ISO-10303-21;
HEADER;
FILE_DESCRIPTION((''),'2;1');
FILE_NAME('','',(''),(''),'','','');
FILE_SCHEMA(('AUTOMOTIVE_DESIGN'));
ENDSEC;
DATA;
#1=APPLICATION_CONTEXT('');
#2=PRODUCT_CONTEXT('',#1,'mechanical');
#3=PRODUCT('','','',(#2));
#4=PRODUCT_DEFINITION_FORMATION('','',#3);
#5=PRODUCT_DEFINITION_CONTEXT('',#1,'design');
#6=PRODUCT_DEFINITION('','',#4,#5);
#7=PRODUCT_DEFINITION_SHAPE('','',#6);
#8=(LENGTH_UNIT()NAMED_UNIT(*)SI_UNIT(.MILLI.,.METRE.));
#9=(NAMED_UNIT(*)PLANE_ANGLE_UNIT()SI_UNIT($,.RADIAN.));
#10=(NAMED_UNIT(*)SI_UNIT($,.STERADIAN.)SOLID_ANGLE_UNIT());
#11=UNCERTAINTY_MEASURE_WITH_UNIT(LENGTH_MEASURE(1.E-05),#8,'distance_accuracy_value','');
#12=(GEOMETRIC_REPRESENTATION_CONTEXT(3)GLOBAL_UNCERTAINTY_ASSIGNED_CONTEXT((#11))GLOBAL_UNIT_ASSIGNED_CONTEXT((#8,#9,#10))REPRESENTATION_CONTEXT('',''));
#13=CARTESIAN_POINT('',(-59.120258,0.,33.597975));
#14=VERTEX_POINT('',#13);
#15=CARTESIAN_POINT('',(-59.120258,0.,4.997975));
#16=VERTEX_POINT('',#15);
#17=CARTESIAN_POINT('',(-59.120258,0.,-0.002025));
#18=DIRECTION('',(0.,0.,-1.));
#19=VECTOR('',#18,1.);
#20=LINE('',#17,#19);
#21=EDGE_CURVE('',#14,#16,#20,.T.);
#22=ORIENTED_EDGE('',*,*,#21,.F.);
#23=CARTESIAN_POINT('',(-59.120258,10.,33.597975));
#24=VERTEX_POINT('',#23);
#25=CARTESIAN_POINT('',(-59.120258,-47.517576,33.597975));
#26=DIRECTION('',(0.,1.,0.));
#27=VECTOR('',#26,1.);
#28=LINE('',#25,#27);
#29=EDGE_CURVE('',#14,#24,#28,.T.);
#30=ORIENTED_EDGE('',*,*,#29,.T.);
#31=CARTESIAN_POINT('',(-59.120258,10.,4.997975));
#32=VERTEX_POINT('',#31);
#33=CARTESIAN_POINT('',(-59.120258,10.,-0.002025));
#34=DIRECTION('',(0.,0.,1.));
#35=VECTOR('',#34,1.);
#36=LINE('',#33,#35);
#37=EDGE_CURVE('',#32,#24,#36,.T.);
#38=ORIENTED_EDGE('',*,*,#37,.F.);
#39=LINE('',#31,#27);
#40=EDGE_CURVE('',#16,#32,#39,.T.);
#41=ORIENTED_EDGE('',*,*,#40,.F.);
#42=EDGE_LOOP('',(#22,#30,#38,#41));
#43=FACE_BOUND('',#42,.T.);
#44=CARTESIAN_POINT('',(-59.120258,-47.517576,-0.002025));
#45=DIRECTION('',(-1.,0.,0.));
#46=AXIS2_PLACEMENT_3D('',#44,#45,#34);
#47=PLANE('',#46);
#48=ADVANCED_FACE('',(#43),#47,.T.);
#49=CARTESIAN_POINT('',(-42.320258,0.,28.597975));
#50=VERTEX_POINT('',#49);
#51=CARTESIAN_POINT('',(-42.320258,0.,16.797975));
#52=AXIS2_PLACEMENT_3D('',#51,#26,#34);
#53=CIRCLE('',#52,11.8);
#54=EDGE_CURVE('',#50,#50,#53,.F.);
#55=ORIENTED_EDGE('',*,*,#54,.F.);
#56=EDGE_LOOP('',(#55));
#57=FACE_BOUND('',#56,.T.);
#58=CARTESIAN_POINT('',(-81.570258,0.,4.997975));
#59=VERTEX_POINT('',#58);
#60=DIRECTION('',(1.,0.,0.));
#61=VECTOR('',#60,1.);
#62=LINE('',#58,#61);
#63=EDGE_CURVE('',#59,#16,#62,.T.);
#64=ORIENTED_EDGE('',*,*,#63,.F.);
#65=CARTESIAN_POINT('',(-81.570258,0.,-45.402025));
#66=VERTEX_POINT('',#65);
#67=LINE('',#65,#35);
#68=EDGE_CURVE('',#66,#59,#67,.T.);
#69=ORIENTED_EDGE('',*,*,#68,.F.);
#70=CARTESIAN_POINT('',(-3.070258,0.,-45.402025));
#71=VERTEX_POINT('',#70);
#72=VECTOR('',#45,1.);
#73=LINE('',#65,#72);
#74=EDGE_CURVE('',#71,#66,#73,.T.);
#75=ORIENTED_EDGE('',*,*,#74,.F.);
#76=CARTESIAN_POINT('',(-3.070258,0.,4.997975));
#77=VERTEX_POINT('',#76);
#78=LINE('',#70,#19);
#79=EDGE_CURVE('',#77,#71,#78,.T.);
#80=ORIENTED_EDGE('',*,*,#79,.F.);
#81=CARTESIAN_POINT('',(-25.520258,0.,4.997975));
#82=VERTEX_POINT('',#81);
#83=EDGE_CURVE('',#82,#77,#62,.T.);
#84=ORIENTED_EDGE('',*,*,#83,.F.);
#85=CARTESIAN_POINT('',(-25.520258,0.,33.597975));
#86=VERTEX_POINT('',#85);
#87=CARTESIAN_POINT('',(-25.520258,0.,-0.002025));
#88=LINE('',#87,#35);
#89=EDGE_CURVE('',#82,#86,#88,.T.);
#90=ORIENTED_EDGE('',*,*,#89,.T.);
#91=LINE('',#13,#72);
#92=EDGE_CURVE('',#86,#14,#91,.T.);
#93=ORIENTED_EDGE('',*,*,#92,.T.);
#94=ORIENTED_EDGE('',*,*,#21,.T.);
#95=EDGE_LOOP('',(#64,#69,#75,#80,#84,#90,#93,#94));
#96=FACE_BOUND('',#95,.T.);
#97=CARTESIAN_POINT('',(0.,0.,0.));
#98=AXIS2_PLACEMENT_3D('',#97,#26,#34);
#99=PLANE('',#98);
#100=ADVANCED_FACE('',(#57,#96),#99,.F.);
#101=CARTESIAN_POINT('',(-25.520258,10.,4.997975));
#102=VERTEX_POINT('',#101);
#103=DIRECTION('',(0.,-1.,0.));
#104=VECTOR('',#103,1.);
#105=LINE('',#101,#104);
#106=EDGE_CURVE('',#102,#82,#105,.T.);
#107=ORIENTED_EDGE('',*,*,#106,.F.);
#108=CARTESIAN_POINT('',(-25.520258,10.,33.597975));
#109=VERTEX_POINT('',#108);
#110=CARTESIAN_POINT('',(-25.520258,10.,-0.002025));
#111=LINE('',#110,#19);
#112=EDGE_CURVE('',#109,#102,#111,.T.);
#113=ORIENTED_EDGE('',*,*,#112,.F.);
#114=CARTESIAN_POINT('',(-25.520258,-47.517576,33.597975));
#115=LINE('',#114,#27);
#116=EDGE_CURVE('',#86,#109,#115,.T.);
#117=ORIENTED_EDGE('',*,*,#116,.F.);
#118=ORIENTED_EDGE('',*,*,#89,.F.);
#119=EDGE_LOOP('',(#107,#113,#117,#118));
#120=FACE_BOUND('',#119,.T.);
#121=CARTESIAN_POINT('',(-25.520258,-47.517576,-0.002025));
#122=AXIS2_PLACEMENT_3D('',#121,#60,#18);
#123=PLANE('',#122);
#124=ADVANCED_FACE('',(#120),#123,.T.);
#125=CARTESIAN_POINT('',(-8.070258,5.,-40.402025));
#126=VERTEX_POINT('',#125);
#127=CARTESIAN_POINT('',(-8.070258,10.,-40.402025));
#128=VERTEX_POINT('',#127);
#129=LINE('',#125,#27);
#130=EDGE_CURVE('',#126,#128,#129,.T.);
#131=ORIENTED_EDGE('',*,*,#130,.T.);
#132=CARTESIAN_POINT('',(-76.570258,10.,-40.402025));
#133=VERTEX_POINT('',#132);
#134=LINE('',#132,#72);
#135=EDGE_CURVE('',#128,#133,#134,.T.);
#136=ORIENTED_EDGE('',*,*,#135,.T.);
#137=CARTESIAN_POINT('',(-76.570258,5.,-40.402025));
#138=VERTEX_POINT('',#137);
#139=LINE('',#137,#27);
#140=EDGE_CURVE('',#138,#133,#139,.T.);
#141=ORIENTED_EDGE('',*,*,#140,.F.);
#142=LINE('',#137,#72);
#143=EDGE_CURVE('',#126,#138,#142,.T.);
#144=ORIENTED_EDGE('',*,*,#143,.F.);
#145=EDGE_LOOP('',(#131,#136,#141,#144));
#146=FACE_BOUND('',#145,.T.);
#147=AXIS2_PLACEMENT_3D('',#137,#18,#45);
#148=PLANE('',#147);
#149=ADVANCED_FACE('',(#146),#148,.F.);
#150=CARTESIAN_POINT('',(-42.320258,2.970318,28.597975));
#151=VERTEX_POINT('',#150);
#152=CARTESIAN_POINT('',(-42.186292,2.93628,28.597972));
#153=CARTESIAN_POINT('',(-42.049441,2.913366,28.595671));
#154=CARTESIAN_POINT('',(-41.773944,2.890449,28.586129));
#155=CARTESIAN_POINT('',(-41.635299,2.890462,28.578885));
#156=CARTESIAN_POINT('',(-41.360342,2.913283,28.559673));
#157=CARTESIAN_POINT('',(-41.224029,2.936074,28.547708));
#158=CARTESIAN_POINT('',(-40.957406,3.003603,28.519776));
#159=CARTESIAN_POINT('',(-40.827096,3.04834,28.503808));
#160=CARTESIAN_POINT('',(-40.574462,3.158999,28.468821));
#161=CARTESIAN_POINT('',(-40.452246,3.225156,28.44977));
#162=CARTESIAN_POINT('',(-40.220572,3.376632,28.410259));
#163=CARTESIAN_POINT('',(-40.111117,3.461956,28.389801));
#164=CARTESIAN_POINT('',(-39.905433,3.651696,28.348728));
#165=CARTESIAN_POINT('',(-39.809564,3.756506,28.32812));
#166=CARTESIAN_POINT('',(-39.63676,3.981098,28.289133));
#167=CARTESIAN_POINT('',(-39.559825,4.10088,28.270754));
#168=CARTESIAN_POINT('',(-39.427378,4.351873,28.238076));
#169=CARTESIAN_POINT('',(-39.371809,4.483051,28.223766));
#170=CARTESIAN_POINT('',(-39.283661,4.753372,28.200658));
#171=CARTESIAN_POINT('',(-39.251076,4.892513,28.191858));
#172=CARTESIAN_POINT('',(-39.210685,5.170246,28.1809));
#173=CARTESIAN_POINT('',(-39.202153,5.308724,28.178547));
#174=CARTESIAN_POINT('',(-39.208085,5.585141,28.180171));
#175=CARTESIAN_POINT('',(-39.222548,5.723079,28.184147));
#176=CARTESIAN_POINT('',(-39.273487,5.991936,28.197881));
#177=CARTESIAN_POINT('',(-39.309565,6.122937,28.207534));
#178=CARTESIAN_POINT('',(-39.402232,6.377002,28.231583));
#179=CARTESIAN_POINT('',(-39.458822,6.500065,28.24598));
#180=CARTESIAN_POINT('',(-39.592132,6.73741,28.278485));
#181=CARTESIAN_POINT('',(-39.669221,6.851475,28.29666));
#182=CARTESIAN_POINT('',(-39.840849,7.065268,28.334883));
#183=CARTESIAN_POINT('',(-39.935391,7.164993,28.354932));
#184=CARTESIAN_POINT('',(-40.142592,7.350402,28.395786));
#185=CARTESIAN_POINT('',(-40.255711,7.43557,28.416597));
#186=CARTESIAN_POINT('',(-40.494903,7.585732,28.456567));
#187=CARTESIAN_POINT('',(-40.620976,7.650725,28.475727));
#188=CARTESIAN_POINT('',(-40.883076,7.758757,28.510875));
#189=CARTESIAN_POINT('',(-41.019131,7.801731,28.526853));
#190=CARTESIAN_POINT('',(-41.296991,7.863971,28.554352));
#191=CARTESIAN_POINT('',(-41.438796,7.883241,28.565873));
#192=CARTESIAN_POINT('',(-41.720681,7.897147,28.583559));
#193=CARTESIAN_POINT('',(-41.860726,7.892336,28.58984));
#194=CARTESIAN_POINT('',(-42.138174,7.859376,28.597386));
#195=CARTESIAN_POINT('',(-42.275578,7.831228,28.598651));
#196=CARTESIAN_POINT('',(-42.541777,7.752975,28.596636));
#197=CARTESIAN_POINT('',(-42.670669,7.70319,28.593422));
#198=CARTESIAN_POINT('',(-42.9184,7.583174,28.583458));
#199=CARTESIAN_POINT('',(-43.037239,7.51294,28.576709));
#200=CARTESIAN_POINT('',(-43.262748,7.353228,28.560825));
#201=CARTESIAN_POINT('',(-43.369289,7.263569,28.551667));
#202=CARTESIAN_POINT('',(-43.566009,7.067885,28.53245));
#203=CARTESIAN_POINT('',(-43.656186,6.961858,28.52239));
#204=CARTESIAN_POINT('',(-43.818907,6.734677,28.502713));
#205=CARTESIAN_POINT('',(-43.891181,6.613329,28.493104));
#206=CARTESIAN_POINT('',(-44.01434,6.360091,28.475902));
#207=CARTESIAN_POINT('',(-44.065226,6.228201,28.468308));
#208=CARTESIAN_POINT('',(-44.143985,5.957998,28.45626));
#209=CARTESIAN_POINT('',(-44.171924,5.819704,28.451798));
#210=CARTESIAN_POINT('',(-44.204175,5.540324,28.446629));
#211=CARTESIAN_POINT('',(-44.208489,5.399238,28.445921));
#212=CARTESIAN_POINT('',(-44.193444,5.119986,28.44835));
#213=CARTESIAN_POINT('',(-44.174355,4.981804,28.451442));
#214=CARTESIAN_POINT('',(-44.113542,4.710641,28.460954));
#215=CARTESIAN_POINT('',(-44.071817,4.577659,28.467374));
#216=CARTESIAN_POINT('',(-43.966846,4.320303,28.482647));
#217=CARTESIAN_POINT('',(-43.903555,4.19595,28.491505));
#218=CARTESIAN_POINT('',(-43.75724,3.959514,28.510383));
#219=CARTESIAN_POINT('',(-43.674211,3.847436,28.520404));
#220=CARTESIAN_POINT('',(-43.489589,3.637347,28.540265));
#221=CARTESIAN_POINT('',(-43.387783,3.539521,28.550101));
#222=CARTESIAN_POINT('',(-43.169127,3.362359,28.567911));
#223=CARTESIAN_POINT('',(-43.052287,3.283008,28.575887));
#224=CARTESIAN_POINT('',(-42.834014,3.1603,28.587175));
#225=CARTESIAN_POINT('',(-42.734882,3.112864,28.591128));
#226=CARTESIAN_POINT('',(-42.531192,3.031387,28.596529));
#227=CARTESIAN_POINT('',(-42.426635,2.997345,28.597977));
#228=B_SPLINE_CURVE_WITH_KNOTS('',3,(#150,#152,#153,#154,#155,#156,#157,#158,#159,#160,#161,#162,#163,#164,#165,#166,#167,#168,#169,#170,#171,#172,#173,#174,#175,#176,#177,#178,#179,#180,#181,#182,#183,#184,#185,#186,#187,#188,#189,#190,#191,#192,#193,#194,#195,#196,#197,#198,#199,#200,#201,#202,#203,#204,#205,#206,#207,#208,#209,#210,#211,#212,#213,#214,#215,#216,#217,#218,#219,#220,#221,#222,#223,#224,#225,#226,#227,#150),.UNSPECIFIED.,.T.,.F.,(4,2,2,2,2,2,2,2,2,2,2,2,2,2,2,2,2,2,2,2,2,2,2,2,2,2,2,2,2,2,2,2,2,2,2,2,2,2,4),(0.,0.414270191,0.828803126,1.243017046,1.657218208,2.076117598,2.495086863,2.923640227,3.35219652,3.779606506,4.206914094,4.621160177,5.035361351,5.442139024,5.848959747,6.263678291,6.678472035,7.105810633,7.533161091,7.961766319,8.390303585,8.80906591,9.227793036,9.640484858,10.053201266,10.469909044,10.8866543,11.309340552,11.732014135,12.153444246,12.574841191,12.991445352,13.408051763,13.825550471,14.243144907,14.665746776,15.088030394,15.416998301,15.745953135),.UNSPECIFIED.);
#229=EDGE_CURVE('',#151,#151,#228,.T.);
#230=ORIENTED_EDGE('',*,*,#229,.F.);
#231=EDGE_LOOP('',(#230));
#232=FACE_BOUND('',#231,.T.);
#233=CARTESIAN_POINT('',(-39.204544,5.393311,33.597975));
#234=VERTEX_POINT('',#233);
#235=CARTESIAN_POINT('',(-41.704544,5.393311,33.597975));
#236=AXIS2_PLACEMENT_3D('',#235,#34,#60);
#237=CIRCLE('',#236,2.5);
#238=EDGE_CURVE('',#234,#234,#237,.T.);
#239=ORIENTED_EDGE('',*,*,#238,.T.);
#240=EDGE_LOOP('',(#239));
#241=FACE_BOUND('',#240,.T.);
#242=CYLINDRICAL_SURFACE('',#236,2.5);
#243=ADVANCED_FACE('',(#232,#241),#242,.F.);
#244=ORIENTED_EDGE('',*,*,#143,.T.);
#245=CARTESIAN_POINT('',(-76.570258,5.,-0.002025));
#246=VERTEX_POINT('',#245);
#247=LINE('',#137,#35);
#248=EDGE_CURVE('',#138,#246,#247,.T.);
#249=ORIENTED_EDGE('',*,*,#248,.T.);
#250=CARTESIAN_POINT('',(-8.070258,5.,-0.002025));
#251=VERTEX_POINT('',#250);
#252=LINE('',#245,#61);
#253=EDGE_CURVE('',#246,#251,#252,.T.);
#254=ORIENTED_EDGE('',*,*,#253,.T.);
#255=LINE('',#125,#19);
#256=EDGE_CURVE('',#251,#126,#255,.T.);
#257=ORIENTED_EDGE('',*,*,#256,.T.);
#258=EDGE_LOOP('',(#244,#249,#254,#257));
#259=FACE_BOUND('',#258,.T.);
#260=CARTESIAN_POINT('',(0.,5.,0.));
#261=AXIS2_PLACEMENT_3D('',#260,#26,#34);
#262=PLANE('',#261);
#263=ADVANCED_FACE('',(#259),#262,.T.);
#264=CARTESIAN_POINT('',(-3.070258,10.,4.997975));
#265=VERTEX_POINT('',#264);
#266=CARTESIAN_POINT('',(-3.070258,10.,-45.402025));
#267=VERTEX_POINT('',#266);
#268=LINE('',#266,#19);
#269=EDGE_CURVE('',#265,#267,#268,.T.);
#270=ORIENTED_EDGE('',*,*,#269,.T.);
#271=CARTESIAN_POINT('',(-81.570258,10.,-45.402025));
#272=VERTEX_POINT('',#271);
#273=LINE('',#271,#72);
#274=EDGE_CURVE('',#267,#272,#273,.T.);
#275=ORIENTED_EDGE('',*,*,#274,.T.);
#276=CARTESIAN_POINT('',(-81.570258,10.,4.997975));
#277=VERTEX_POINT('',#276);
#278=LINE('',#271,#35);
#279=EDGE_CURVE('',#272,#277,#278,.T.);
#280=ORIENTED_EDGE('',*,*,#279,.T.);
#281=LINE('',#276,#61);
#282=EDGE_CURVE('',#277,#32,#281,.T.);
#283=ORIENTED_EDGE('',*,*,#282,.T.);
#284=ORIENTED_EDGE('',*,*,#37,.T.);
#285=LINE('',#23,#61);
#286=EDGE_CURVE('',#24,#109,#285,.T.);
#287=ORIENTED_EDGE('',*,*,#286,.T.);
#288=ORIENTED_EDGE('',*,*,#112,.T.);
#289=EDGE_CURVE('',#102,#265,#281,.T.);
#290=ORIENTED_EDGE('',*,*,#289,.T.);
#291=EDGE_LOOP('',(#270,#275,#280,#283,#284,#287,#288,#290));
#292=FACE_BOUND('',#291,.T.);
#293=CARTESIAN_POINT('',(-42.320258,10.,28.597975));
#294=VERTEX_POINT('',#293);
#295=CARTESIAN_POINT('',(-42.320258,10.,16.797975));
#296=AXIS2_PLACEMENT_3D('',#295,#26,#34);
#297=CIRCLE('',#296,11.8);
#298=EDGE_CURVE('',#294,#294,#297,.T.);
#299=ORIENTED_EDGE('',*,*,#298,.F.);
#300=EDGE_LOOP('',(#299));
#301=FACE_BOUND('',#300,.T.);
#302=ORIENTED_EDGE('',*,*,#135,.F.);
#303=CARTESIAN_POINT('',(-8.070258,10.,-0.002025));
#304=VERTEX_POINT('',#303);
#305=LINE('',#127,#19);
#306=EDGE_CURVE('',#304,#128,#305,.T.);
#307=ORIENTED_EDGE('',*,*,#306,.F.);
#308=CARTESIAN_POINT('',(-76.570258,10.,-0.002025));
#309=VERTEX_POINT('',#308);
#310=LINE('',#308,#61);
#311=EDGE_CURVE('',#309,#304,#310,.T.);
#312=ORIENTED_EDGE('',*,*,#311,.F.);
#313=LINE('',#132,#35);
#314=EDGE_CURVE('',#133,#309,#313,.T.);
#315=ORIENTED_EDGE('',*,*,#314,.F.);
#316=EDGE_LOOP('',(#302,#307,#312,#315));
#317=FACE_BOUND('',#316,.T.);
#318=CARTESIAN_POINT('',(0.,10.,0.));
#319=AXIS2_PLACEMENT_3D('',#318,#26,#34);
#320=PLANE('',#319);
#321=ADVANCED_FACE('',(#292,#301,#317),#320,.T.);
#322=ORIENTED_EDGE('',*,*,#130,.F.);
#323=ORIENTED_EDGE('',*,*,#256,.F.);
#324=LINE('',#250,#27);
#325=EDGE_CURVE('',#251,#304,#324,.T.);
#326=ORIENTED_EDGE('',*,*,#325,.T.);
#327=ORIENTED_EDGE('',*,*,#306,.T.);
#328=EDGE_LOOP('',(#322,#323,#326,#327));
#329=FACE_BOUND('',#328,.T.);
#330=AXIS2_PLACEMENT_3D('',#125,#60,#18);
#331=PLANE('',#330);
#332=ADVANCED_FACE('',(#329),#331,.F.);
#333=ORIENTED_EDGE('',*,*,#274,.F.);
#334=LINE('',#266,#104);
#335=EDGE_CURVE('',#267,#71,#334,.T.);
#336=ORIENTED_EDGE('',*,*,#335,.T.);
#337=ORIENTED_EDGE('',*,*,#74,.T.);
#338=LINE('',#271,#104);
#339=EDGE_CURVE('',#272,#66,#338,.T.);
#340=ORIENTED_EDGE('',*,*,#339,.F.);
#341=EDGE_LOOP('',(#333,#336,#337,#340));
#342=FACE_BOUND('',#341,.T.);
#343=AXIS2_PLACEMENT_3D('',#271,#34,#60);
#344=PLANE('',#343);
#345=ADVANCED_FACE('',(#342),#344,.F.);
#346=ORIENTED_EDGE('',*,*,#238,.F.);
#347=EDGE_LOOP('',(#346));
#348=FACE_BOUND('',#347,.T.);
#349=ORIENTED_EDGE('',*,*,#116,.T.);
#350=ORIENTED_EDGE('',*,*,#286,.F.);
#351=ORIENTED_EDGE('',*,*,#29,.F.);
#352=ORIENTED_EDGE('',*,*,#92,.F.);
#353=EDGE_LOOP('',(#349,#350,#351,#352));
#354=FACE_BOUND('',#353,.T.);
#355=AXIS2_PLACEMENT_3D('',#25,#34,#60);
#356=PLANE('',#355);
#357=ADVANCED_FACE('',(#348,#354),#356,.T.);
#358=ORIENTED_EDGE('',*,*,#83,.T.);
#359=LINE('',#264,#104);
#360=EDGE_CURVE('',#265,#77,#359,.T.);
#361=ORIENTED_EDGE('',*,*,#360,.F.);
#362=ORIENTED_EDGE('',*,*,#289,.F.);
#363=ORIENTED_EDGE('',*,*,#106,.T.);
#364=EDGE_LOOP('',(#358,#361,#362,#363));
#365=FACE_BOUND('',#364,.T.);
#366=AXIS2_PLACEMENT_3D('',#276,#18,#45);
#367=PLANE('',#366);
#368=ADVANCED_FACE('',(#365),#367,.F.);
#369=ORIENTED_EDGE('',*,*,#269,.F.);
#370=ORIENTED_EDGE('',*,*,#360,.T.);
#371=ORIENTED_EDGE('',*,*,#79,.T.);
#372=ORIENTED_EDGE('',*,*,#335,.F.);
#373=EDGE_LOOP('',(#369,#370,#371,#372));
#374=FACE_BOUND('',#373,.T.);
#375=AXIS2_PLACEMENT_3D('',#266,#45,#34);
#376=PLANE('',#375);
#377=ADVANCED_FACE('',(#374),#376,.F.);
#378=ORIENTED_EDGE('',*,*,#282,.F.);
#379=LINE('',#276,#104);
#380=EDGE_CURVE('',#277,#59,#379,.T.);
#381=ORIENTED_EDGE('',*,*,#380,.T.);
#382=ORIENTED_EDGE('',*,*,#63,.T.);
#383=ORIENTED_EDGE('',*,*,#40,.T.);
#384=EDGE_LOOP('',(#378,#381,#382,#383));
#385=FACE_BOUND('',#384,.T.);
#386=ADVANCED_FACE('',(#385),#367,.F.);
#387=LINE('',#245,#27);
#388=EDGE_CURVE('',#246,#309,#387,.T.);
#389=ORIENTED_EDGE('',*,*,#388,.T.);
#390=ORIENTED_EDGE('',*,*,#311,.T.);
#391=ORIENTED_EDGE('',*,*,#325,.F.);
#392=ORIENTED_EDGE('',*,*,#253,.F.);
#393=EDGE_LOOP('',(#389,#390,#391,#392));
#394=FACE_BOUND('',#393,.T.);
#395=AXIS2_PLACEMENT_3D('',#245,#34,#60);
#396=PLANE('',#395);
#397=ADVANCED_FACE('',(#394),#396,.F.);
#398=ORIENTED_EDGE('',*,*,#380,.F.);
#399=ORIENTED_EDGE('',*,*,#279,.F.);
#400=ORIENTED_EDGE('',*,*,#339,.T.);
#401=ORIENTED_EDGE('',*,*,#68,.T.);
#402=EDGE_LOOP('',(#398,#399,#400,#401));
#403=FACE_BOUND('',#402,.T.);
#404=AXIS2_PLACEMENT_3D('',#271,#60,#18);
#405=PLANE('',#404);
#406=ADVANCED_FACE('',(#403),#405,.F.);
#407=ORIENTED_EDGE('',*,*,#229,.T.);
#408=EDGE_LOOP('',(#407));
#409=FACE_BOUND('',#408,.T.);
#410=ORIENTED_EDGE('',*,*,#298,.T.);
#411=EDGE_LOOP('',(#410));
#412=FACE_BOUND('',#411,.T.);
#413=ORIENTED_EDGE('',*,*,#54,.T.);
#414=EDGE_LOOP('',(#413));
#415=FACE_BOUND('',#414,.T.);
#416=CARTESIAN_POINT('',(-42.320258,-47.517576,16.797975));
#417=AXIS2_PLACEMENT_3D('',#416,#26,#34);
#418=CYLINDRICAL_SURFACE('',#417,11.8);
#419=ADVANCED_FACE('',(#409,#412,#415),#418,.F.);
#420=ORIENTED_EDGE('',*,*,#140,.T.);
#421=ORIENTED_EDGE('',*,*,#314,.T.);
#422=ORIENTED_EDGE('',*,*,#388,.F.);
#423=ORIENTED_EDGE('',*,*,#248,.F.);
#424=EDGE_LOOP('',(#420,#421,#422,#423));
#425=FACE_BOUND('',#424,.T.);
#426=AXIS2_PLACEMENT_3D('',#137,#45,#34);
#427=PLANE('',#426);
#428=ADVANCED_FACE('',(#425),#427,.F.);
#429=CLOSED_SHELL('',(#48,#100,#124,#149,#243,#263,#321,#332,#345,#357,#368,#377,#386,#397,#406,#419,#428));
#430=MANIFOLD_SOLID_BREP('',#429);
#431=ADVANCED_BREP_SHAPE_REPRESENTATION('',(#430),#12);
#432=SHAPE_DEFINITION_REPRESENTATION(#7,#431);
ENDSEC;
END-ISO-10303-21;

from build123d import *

# Parameters (mm, degrees)
SKETCH2_W                  = 78.5
SKETCH2_H                  = 50.4
BOSS_EXTRUDE2_DEPTH        = 10
SKETCH3_W                  = 68.5
SKETCH3_H                  = 40.4
CUT_EXTRUDE1_DEPTH         = 5
SKETCH6_W                  = 33.6
SKETCH6_H                  = 33.6
SKETCH6_R                  = 11.8
BOSS_EXTRUDE4_DEPTH        = 10
M6X1_0_TAPPED_HOLE5_REACH  = 90.653
M6X1_0_TAPPED_HOLE5_BORE_R = 2.5


with BuildPart() as part:
    # Sketch2 → Boss-Extrude2 (new body)
    with BuildSketch(Plane(origin=(0, 0, 0), x_dir=(1, 0, 0), z_dir=(0, 1, 0))):
        with Locations((-42.320258308, 20.202024982)):
            Rectangle(SKETCH2_W, SKETCH2_H)
    extrude(amount=BOSS_EXTRUDE2_DEPTH)

    # Sketch3 → Cut-Extrude1 (cut)
    with BuildSketch(Plane(origin=(0, 10, 0), x_dir=(1, 0, 0), z_dir=(0, 1, 0))):
        with Locations((-42.320258308, 20.202024982)):
            Rectangle(SKETCH3_W, SKETCH3_H)
    extrude(amount=-CUT_EXTRUDE1_DEPTH, mode=Mode.SUBTRACT)

    # Sketch6 → Boss-Extrude4 (add)
    with BuildSketch(Plane(origin=(0, 10, 0), x_dir=(1, 0, 0), z_dir=(0, 1, 0))):
        with Locations((-42.320258308, -16.797975018)):
            Rectangle(SKETCH6_W, SKETCH6_H)
        with Locations(Location((-42.320258308, -16.797975018, 0), (0, 0, 270))):
            Circle(SKETCH6_R, mode=Mode.SUBTRACT)
    extrude(amount=-BOSS_EXTRUDE4_DEPTH)

    # M6x1.0 Tapped Hole5 bore (on position points) → M6x1.0 Tapped Hole5 (cut, up to next)
    with BuildSketch(Plane(origin=(-41.704543892, 5.39331072, 33.597975018), x_dir=(1, 0, 0), z_dir=(0, 0, 1)), mode=Mode.PRIVATE) as m6x1_0_tapped_hole5_sk1:
        Circle(M6X1_0_TAPPED_HOLE5_BORE_R)
    m6x1_0_tapped_hole5_tool1 = extrude(m6x1_0_tapped_hole5_sk1.sketch, amount=-M6X1_0_TAPPED_HOLE5_REACH, mode=Mode.PRIVATE) & part.part
    add(m6x1_0_tapped_hole5_tool1.solids().sort_by_distance((-41.704544, 5.393311, 33.597975))[0], mode=Mode.SUBTRACT)


solid = part.part
